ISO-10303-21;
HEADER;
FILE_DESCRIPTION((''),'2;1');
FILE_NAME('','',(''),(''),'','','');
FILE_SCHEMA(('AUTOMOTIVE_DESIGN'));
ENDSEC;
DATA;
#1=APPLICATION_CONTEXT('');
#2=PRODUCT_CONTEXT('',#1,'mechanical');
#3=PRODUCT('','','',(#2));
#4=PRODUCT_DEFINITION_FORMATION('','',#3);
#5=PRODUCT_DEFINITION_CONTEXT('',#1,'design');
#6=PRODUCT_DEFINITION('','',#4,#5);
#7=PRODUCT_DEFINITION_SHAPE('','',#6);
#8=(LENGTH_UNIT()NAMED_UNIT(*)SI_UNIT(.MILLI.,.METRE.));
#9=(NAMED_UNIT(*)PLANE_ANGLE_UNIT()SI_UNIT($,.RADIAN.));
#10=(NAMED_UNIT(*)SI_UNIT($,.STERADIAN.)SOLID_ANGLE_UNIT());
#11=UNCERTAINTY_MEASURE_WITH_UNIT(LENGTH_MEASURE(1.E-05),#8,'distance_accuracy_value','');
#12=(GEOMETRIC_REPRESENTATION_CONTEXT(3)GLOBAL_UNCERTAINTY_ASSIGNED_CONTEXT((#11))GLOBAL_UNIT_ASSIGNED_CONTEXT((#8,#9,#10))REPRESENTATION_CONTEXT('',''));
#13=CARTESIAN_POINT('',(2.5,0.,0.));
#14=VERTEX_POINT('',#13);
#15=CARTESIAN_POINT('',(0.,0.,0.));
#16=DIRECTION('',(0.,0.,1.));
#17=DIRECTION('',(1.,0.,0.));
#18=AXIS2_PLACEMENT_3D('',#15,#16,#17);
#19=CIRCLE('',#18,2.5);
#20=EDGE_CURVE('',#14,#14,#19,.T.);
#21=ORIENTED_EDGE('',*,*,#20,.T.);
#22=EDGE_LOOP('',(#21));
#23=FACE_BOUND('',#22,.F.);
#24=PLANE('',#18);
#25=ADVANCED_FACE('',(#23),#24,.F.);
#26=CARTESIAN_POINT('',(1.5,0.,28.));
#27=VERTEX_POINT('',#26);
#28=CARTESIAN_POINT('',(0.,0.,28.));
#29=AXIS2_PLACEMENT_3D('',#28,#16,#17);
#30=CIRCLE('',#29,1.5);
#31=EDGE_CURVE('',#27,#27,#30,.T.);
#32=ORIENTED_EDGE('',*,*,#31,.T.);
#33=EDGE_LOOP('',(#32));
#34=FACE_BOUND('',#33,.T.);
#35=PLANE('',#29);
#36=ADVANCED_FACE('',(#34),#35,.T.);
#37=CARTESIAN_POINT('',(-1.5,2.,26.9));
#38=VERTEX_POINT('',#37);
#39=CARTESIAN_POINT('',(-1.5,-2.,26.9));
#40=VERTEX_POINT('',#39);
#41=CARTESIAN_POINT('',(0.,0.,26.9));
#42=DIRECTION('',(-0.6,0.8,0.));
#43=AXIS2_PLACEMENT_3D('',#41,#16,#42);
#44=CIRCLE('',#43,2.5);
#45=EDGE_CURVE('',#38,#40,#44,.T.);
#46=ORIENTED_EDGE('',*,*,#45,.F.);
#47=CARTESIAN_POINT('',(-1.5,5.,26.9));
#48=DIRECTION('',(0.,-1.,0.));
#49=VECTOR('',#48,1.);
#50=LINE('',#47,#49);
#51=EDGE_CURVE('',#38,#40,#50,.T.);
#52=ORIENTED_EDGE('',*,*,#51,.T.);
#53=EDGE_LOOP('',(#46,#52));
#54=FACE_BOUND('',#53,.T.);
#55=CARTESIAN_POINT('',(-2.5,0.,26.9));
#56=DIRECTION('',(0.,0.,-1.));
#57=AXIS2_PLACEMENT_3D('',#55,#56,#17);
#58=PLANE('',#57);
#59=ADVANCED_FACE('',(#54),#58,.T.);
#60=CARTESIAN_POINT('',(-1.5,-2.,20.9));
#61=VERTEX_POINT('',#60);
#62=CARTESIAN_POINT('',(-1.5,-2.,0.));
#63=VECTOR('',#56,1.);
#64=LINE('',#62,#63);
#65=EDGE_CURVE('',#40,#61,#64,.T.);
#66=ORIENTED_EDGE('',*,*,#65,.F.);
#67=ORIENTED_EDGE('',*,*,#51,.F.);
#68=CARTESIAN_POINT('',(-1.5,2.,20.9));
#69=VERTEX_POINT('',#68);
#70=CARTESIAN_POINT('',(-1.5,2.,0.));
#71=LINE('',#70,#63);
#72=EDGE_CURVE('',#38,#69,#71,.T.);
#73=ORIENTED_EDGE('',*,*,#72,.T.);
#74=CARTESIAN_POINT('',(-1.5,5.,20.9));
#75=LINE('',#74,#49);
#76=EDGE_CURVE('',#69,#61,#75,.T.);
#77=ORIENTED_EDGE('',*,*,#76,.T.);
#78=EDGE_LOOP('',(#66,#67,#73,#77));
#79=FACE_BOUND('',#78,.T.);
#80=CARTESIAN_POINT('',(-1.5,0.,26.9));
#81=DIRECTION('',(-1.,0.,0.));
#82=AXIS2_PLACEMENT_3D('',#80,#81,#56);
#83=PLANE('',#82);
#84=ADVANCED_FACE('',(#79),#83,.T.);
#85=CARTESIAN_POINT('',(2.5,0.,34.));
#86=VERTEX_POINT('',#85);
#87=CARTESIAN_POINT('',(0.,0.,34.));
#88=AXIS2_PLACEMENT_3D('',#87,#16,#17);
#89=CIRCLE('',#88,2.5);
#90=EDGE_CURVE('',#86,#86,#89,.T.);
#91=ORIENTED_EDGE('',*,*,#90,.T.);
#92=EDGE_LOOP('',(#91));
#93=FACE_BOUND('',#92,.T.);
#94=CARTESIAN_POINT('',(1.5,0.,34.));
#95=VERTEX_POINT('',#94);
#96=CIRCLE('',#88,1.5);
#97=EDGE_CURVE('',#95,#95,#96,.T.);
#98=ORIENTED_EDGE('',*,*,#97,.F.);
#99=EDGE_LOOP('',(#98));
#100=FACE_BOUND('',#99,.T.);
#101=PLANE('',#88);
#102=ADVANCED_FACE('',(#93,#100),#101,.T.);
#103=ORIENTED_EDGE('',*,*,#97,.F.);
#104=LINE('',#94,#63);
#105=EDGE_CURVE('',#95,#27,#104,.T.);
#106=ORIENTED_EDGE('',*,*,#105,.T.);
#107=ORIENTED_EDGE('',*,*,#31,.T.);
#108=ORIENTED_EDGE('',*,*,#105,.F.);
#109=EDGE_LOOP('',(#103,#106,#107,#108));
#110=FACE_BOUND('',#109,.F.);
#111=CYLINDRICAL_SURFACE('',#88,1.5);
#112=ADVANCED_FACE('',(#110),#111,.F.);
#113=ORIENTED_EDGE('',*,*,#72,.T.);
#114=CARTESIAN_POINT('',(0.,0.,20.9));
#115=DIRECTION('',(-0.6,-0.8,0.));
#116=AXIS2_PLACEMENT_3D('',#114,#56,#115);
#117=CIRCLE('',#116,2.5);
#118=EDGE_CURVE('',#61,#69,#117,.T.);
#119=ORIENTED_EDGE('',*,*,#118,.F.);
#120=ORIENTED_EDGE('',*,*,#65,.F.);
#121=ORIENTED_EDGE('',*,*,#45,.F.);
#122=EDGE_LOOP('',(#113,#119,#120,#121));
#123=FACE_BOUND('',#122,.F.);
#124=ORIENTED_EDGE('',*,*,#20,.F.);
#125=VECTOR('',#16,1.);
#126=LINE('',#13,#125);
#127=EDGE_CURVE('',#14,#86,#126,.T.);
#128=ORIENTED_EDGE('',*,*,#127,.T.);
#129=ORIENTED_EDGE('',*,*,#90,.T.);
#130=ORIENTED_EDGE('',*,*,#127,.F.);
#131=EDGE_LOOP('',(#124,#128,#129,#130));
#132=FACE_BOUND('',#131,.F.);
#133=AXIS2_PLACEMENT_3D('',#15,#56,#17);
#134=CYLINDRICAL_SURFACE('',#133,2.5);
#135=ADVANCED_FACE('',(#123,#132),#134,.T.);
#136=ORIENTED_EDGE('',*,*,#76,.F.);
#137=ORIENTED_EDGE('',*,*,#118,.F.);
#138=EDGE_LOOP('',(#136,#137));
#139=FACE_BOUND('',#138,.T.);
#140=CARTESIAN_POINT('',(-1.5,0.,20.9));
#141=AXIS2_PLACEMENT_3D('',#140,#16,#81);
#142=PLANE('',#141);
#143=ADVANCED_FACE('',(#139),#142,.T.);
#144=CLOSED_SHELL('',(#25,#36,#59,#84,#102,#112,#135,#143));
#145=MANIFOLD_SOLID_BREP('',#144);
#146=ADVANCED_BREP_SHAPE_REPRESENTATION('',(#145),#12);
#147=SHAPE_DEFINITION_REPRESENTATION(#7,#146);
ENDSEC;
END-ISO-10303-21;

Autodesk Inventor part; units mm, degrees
ref_plane "YZ Plane" through (0, 0, 0) normal (1, 0, 0) x (0, 1, 0)
ref_plane "XZ Plane" through (0, 0, 0) normal (0, 1, 0) x (-1, 0, 0)
ref_plane "XY Plane" through (0, 0, 0) normal (0, 0, 1) x (1, 0, 0)
sketch "スケッチ1" plane through (0, 0, 0) normal (0, 0, 1) x (1, 0, 0)
  circle A0 centre (0, 0) radius 2.5
  dimension "d0" = 5
extrude "押し出し1" add sketch "スケッチ1" along normal blind 34
sketch "スケッチ2" plane through (0, 0, 34) normal (0, 0, 1) x (1, 0, 0)
  circle A0 centre (0, 0) radius 1.5
  dimension "d3" = 3
extrude "押し出し2" cut sketch "スケッチ2" against normal blind 6
sketch "スケッチ3" plane through (0, 0, 0) normal (0, 1, 0) x (-1, 0, 0)
  line L0 (2.5, 0) -> (2.5, 34) projected
  line L1 (2.5, 23.9) -> (2.5, 26.9)
  line L2 (2.5, 26.9) -> (1.5, 26.9)
  line L3 (1.5, 26.9) -> (1.5, 20.9)
  line L4 (1.5, 20.9) -> (2.5, 20.9)
  line L5 (2.5, 20.9) -> (2.5, 23.9)
  point P0 (0, 0)
  dimension "d8" = 3
  dimension "d9" = 1
  dimension "d10" = 6
extrude "押し出し3" cut sketch "スケッチ3" along normal mid plane 10
thread "ねじ2" size "M3x0.5" class "6H" standard "ANSI Metric M Profile" full length
properties part number "shaft_34mm_Φ5" material "アルミニウム 7075"
